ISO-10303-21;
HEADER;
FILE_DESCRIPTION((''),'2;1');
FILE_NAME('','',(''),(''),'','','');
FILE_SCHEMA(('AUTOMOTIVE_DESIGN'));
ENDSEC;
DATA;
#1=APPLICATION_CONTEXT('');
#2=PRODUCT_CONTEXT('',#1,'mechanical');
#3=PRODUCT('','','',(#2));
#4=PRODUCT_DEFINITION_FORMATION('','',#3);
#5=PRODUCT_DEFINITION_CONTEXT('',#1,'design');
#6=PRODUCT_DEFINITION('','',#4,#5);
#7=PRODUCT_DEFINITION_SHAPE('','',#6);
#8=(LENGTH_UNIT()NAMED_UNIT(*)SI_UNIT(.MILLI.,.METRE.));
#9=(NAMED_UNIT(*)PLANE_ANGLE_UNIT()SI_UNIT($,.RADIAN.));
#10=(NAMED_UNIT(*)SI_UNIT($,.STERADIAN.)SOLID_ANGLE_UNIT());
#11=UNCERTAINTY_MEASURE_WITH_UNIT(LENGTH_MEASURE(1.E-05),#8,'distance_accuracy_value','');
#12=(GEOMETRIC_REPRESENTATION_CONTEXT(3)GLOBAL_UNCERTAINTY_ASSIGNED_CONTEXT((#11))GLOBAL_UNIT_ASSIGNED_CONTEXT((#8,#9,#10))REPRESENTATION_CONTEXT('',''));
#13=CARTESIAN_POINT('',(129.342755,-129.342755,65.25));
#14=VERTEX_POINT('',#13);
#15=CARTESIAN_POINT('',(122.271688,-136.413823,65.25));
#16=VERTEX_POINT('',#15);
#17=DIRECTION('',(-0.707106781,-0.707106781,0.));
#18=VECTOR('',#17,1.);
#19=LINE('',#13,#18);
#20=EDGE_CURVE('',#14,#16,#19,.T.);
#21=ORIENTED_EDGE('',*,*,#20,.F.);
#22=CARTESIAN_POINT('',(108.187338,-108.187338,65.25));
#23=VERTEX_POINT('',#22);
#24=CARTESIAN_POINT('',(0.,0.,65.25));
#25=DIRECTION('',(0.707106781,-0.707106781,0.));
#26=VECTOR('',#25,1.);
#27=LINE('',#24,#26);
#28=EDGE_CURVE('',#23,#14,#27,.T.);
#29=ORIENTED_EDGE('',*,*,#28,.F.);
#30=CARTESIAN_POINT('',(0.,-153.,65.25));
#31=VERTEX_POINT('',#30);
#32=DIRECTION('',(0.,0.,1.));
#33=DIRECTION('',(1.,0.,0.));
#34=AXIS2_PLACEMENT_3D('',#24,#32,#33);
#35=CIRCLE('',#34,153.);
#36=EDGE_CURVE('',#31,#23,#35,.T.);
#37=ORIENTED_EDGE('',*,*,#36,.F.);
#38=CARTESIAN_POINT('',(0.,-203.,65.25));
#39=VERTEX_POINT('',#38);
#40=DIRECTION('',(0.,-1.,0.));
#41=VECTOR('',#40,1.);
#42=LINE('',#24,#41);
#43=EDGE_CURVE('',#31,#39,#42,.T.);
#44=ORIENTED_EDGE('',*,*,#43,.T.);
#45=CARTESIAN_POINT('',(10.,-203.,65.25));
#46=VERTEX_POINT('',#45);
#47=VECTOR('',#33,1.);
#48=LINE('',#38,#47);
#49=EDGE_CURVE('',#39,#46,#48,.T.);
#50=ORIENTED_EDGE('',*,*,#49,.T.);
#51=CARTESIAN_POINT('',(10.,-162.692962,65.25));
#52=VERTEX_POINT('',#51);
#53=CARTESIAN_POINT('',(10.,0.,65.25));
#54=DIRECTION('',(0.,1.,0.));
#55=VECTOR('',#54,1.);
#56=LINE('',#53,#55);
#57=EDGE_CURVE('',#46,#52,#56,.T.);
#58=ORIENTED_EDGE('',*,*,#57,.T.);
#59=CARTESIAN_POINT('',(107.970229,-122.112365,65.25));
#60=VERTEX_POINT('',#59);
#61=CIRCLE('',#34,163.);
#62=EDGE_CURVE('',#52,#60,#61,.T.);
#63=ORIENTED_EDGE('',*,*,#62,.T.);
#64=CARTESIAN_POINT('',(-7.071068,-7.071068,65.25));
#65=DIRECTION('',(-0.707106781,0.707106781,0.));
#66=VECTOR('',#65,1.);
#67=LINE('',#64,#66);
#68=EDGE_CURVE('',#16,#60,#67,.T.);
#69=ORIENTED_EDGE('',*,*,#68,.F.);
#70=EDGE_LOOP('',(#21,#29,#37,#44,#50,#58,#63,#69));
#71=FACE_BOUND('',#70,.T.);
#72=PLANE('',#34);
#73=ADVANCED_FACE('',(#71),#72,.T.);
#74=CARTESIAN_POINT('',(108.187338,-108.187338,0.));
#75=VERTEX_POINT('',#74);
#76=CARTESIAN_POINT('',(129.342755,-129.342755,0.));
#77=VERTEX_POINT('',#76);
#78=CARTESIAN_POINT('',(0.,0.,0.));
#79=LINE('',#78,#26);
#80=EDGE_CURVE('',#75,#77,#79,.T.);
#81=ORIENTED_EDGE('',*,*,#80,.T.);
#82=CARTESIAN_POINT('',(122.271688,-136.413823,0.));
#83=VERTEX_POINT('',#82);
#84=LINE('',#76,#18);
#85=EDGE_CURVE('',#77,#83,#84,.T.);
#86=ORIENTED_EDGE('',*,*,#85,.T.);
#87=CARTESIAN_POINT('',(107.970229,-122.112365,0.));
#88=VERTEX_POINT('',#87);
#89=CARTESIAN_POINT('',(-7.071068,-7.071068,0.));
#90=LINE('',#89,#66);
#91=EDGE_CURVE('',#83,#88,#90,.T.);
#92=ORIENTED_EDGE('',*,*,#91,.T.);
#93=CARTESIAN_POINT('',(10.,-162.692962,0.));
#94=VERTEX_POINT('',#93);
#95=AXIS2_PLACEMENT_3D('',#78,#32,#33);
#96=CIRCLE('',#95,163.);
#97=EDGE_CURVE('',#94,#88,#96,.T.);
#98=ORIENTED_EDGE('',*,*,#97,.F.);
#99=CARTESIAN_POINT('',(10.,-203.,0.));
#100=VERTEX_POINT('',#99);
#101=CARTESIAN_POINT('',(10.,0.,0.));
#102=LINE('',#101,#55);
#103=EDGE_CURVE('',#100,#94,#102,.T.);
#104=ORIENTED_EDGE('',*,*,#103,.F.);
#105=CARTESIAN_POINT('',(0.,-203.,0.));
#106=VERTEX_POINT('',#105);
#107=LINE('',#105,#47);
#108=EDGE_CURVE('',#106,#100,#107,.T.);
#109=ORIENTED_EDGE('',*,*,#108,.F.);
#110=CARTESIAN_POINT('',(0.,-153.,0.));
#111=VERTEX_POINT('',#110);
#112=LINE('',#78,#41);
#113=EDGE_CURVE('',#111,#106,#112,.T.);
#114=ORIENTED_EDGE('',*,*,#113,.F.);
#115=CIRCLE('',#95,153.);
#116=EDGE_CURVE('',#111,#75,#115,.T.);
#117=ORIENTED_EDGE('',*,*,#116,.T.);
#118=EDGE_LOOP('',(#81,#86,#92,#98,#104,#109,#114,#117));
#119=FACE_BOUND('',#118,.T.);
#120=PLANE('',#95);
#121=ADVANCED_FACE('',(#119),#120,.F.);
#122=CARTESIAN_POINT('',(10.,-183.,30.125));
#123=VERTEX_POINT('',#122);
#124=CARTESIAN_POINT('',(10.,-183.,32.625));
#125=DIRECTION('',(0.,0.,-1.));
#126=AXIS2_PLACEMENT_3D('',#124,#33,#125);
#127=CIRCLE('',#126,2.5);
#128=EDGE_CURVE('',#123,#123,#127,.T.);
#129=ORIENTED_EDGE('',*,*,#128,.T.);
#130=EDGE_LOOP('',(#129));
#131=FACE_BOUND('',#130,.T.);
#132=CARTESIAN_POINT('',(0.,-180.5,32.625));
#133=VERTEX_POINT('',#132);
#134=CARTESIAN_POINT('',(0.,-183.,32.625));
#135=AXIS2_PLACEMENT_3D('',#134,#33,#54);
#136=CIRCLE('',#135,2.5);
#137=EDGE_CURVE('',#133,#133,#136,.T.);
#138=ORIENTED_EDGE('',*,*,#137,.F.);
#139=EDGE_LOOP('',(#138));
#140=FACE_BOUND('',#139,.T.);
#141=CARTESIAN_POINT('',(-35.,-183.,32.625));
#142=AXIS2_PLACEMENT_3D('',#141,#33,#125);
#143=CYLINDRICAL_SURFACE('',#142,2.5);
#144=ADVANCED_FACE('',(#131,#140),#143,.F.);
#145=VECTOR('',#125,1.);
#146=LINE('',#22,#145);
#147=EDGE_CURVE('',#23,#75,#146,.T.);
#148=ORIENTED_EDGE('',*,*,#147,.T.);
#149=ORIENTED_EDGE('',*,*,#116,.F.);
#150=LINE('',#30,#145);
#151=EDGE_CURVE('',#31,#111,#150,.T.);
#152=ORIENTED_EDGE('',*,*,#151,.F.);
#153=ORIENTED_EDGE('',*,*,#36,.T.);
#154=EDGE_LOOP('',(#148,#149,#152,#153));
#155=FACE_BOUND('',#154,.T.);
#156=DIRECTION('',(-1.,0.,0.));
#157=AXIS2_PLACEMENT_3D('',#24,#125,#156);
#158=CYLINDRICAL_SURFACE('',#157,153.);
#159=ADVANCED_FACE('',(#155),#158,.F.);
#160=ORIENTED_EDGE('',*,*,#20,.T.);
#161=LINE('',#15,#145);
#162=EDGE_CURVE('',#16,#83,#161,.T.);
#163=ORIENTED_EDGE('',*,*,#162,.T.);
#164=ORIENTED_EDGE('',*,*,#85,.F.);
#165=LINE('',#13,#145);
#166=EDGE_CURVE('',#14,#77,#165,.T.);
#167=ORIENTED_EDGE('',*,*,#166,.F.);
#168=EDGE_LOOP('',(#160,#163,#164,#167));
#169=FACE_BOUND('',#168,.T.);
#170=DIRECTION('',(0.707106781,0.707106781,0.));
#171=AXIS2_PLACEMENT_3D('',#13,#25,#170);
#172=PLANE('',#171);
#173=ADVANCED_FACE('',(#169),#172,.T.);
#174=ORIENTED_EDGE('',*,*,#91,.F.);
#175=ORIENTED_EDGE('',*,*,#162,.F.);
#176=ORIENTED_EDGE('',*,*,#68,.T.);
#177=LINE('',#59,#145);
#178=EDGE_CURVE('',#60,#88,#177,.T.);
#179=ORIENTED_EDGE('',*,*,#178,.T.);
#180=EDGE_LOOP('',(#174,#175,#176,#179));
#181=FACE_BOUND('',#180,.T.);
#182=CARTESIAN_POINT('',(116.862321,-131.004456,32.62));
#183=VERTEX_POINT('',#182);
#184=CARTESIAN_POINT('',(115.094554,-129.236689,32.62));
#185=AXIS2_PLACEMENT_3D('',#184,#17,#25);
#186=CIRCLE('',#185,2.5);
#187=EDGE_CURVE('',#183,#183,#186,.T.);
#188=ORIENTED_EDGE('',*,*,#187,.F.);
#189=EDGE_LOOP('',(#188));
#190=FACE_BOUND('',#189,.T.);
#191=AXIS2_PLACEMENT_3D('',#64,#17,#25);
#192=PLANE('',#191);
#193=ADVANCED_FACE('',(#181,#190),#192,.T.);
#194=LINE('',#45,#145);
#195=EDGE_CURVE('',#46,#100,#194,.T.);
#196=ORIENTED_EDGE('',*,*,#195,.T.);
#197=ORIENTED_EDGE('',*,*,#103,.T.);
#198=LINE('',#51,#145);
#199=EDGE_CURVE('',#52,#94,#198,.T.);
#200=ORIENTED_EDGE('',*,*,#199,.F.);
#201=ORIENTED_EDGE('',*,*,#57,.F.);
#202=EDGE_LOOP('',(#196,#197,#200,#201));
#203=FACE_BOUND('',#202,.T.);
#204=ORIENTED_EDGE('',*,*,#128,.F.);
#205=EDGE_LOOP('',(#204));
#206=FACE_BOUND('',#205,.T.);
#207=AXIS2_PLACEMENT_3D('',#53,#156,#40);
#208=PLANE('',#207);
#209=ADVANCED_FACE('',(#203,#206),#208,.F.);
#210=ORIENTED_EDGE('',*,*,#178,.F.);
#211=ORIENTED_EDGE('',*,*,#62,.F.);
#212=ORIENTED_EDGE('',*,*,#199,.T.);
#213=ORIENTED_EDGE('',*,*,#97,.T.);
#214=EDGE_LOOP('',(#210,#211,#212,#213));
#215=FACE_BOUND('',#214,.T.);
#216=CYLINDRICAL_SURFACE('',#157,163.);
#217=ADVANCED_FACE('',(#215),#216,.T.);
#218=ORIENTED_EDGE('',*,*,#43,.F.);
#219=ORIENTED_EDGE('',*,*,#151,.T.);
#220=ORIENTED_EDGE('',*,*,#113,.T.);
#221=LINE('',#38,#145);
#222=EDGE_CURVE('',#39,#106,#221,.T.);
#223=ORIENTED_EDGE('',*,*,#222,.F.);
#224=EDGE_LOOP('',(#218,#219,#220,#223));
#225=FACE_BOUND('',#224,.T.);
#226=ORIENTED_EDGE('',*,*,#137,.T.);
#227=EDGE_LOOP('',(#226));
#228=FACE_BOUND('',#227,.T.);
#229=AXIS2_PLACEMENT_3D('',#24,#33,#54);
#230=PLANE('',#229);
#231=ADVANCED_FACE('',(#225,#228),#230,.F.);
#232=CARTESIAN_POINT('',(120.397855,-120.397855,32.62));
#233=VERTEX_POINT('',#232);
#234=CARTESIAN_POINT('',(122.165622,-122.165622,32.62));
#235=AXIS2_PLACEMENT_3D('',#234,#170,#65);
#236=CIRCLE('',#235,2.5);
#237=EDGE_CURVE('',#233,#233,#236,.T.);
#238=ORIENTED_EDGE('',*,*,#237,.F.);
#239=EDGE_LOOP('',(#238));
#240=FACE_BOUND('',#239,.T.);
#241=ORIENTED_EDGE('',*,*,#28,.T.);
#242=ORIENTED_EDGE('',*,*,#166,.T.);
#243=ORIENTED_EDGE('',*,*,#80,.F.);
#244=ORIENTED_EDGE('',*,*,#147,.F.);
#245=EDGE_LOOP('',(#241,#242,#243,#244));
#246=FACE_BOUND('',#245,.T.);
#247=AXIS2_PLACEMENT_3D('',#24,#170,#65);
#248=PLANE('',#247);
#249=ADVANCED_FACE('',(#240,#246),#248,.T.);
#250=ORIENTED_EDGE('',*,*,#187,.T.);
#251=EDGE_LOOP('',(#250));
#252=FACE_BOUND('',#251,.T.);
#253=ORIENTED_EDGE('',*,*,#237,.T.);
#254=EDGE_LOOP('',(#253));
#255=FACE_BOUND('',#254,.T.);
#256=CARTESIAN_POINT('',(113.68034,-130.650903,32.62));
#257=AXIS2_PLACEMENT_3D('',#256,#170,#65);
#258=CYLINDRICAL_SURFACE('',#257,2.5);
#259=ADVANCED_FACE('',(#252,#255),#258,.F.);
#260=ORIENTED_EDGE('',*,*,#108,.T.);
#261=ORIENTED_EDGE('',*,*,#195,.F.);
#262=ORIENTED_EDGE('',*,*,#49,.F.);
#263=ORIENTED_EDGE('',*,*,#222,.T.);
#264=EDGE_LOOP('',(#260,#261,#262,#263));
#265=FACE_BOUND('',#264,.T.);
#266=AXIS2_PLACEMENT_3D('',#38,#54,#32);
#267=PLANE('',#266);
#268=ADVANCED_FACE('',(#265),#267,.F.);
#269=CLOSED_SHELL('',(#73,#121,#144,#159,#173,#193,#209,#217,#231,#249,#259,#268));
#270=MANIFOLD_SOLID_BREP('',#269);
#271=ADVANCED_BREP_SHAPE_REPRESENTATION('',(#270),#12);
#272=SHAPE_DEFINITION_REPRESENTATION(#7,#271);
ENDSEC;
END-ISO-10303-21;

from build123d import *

# Parameters (mm, degrees)
SALIENTE_EXTRUIR1_DEPTH = 65.25
CROQUIS5_R              = 2.5
CORTAR_EXTRUIR3_DEPTH   = 45
CROQUIS6_R              = 2.5
CORTAR_EXTRUIR4_DEPTH   = 12


with BuildPart() as part:
    # Croquis1 → Saliente-Extruir1 (new body)
    with BuildSketch(Plane.XY):
        with BuildLine():
            Line((129.342755363, -129.342755363), (108.187337522, -108.187337522))
            ThreePointArc((108.187337522, -108.187337522), (58.550565152, -141.353568474), (0, -153))
            Line((0, -153), (0, -163))
            Line((0, -163), (0, -203))
            Line((0, -203), (10, -203))
            Line((10, -203), (10, -162.692962355))
            ThreePointArc((10, -162.692962355), (62.377399476, -150.592363799), (107.970229121, -122.112364745))
            Line((107.970229121, -122.112364745), (122.271687551, -136.413823175))
            Line((122.271687551, -136.413823175), (129.342755363, -129.342755363))
        make_face()
    extrude(amount=SALIENTE_EXTRUIR1_DEPTH)

    # Croquis5 → Cortar-Extruir3 (cut)
    with BuildSketch(Plane(origin=(10, 0, 0), x_dir=(0, 0, -1), z_dir=(1, 0, 0))):
        with Locations((-32.625, -183)):
            Circle(CROQUIS5_R)
    extrude(amount=-CORTAR_EXTRUIR3_DEPTH, mode=Mode.SUBTRACT)

    # Croquis6 → Cortar-Extruir4 (cut)
    with BuildSketch(Plane(origin=(0, 0, 0), x_dir=(0, 0, -1), z_dir=(0.707106781, 0.707106781, 0))):
        with Locations((-32.62, -172.768278829)):
            Circle(CROQUIS6_R)
    extrude(amount=-CORTAR_EXTRUIR4_DEPTH, mode=Mode.SUBTRACT)


solid = part.part
